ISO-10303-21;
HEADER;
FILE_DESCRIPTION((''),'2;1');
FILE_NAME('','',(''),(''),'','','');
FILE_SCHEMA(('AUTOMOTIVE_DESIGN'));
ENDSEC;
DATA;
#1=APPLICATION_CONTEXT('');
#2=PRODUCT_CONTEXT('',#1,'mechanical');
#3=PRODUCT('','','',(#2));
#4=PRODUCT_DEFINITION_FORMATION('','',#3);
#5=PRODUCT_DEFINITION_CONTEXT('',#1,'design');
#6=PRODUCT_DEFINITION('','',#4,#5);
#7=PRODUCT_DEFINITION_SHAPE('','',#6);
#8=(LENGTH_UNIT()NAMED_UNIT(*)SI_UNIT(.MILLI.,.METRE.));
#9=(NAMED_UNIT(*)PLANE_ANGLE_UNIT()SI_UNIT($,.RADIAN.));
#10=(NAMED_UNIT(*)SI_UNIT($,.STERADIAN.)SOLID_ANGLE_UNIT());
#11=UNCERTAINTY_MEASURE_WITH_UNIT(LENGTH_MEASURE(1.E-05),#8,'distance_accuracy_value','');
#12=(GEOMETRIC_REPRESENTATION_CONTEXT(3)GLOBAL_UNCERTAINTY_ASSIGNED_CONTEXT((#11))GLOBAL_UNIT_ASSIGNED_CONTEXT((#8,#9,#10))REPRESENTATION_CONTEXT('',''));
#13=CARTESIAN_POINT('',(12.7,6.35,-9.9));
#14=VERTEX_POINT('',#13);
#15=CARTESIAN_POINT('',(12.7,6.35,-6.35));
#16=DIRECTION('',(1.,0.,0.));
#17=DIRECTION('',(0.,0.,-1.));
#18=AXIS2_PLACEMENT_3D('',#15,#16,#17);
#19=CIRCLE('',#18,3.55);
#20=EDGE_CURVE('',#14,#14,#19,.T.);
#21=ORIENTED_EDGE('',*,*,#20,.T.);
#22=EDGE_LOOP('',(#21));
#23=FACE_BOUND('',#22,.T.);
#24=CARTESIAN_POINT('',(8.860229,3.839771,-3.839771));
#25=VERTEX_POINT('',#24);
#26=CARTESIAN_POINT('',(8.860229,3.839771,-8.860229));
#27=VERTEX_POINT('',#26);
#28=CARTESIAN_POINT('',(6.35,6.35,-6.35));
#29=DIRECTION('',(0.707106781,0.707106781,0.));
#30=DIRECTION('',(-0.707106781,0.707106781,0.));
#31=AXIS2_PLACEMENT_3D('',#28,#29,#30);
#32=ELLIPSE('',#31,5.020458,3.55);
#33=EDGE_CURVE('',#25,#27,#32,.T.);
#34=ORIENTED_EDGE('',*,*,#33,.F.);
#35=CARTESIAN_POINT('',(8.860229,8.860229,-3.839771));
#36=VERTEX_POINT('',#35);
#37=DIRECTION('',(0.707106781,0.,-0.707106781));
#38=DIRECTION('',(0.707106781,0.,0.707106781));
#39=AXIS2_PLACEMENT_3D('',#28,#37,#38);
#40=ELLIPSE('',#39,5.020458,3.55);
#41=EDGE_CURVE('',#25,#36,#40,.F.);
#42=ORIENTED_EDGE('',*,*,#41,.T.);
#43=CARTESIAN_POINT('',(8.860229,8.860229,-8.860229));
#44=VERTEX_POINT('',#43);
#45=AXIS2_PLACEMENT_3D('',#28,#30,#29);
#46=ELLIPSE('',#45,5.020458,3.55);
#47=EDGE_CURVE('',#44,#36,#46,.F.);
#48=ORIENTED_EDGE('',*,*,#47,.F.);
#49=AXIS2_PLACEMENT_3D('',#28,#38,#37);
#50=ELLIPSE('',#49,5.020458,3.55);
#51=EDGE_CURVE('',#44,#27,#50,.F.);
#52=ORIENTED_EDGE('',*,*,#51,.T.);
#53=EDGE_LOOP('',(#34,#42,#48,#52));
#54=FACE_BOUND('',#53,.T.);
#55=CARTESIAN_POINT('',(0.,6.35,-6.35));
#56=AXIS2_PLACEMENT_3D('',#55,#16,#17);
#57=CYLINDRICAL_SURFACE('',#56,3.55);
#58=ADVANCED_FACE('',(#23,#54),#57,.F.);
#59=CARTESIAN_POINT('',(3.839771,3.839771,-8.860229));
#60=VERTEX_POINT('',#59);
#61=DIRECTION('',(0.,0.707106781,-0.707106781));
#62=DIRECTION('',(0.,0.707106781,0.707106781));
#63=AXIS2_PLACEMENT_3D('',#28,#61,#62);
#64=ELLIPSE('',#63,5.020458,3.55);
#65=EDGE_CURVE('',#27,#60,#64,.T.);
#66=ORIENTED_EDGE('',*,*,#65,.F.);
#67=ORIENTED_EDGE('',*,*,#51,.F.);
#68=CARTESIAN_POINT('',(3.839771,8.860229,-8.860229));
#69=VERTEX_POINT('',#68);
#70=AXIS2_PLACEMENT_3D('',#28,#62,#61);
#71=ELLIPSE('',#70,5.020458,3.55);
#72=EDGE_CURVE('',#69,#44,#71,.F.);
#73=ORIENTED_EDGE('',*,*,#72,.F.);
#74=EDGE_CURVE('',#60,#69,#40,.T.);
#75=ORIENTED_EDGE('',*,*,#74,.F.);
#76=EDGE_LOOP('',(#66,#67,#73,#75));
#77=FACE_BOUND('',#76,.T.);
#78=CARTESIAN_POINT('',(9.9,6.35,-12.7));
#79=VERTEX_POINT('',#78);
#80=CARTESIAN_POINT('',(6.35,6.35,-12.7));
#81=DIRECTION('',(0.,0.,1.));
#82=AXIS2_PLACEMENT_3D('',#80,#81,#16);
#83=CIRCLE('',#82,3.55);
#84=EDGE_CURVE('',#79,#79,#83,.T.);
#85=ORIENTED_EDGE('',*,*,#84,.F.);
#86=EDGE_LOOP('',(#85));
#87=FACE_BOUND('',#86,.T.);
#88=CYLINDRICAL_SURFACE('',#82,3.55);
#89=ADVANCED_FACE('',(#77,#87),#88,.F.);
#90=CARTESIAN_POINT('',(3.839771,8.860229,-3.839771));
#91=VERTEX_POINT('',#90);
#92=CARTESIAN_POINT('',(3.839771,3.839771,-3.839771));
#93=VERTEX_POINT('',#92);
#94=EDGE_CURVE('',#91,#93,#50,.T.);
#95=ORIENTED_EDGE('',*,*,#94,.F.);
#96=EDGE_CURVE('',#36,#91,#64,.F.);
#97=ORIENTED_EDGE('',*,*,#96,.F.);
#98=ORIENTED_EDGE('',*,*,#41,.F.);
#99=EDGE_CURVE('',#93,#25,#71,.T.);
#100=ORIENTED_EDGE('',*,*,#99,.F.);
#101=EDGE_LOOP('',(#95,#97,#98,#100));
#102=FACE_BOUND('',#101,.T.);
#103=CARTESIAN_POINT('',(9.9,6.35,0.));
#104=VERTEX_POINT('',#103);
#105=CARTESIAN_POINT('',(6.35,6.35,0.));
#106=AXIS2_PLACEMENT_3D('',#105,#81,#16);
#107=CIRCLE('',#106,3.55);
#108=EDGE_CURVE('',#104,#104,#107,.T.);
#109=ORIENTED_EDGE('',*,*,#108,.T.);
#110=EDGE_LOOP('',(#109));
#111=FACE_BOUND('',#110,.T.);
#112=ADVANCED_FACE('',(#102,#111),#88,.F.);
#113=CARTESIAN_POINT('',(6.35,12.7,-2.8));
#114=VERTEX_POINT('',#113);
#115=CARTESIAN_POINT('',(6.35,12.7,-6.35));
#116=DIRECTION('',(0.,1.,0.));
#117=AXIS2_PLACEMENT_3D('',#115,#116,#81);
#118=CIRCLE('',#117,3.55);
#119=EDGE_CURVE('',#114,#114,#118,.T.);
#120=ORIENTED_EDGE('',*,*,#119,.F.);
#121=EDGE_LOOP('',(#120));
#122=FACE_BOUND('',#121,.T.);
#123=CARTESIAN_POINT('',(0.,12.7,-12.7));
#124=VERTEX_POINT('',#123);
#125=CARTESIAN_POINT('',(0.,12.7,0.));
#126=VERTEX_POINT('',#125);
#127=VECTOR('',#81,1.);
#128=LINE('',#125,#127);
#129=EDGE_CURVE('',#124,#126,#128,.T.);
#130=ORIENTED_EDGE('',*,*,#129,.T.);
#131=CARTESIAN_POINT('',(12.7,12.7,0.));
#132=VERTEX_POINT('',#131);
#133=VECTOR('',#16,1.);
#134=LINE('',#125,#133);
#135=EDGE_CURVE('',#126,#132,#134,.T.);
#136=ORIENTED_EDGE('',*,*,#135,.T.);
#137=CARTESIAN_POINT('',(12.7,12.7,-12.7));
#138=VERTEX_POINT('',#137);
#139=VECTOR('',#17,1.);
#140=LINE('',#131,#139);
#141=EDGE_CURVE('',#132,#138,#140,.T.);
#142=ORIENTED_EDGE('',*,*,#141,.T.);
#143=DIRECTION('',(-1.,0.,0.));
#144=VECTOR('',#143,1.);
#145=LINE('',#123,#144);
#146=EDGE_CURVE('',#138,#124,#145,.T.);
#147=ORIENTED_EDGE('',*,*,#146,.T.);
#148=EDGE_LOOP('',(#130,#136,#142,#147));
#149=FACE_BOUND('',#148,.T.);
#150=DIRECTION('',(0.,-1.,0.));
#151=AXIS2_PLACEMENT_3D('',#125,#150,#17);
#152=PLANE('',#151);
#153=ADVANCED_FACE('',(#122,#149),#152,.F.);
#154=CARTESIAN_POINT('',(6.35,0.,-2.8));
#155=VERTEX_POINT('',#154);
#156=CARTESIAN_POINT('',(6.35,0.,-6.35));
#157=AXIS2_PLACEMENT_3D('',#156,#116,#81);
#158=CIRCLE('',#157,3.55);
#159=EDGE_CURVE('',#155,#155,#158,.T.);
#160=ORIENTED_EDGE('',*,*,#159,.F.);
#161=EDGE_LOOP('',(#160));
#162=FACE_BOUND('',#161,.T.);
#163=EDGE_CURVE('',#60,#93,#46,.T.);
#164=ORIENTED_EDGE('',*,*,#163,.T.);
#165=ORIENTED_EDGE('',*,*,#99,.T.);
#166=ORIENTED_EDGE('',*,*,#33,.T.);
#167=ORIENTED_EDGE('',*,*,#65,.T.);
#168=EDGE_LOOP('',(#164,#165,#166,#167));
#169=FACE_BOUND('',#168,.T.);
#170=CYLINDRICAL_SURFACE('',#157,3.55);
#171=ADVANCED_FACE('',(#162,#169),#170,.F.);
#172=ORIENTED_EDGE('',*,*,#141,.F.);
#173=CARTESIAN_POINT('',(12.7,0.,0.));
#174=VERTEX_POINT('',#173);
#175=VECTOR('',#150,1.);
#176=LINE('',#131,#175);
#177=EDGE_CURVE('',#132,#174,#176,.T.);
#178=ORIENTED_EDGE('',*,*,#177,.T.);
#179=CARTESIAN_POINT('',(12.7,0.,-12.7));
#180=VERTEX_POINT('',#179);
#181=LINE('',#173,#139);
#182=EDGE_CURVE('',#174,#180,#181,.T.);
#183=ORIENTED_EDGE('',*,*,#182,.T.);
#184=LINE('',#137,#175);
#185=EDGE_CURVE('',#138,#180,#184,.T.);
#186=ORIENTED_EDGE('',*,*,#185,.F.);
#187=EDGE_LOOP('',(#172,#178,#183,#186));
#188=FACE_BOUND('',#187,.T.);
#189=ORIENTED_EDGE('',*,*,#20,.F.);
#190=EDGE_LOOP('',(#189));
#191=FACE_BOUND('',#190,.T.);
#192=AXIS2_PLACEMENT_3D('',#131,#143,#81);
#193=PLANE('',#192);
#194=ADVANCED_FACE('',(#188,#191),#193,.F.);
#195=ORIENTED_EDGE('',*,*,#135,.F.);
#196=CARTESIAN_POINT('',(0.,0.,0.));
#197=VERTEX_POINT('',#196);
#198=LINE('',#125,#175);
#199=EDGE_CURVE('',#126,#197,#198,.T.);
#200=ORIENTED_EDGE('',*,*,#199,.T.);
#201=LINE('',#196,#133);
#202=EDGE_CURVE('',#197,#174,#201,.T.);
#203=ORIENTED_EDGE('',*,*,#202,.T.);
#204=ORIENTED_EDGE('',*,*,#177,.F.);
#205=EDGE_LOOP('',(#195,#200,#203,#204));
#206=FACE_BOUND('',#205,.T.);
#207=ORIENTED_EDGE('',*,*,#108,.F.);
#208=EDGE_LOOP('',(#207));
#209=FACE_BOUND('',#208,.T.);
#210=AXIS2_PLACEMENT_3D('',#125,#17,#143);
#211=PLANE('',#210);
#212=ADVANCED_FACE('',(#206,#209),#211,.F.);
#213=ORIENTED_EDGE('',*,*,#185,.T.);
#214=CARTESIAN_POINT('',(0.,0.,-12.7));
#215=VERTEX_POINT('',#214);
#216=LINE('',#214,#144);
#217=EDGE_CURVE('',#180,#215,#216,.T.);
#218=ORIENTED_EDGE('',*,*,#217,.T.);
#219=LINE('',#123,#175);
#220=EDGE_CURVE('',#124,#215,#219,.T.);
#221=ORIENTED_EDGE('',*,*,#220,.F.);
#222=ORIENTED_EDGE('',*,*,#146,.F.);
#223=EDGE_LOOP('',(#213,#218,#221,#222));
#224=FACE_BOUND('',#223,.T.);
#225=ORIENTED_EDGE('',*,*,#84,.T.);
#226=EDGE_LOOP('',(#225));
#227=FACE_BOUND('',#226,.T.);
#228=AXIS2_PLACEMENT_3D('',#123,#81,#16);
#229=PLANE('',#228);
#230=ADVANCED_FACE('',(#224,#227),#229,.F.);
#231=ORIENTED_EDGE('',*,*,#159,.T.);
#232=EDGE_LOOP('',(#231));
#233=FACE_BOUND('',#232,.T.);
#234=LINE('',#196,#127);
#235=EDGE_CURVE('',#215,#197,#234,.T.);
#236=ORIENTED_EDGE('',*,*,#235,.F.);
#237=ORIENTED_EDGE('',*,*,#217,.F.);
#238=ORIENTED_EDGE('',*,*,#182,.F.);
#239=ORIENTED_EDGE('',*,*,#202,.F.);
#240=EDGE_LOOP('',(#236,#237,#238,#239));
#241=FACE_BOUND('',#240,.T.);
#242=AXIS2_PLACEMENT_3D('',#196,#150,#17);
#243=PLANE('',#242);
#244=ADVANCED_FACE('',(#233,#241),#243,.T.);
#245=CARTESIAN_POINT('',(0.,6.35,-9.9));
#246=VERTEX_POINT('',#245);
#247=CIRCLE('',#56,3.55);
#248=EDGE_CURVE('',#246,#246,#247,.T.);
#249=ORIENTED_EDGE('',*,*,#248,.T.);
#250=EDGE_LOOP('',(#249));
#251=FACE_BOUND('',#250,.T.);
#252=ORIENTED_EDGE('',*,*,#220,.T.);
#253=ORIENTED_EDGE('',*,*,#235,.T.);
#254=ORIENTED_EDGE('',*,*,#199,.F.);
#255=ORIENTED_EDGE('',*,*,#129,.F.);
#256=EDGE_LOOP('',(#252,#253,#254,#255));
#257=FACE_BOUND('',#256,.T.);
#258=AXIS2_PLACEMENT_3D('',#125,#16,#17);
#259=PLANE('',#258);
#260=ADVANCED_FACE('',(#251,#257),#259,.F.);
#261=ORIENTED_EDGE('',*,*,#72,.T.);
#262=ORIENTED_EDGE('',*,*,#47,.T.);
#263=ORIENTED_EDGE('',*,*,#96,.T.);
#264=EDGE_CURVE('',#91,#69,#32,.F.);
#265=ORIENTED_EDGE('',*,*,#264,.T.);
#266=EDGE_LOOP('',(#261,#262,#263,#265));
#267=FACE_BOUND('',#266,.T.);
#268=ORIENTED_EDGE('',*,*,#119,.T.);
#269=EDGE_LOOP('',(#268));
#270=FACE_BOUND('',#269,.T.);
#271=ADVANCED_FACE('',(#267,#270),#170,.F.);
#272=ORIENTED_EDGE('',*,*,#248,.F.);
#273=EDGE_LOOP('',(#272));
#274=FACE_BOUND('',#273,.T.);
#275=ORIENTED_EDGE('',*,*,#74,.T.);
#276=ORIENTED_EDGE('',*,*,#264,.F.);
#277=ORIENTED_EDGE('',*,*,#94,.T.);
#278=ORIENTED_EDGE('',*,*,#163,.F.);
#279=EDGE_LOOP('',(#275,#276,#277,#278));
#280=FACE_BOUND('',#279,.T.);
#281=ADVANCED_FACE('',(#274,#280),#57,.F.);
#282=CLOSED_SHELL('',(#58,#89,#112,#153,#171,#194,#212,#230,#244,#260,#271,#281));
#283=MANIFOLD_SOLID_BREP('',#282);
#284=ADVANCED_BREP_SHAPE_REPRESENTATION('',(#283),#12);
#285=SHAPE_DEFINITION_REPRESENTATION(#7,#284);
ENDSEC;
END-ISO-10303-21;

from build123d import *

# Parameters (mm, degrees)
SKETCH1_W           = 12.7
SKETCH1_H           = 12.7
BOSS_EXTRUDE1_DEPTH = 12.7
SKETCH2_R           = 3.55
CUT_EXTRUDE1_DEPTH  = 22.997045256
SKETCH3_R           = 3.55
CUT_EXTRUDE2_DEPTH  = 22.997045256
SKETCH4_R           = 3.55
CUT_EXTRUDE3_DEPTH  = 22.997045256


with BuildPart() as part:
    # Sketch1 → Boss-Extrude1 (new body)
    with BuildSketch(Plane(origin=(0, 0, 0), x_dir=(1, 0, 0), z_dir=(0, 1, 0))):
        with Locations((6.35, 6.35)):
            Rectangle(SKETCH1_W, SKETCH1_H)
    extrude(amount=BOSS_EXTRUDE1_DEPTH)

    # Sketch2 → Cut-Extrude1 (cut, through all)
    with BuildSketch(Plane(origin=(0, 12.7, 0), x_dir=(1, 0, 0), z_dir=(0, 1, 0))):
        with Locations(Location((6.35, 6.35, 0), (0, 0, 270))):
            Circle(SKETCH2_R)
    extrude(amount=-CUT_EXTRUDE1_DEPTH, mode=Mode.SUBTRACT)

    # Sketch3 → Cut-Extrude2 (cut, through all)
    with BuildSketch(Plane(origin=(12.7, 0, 0), x_dir=(0, 0, -1), z_dir=(1, 0, 0))):
        with Locations((6.35, 6.35)):
            Circle(SKETCH3_R)
    extrude(amount=-CUT_EXTRUDE2_DEPTH, mode=Mode.SUBTRACT)

    # Sketch4 → Cut-Extrude3 (cut, through all)
    with BuildSketch(Plane.XY):
        with Locations((6.35, 6.35)):
            Circle(SKETCH4_R)
    extrude(amount=-CUT_EXTRUDE3_DEPTH, mode=Mode.SUBTRACT)


solid = part.part
